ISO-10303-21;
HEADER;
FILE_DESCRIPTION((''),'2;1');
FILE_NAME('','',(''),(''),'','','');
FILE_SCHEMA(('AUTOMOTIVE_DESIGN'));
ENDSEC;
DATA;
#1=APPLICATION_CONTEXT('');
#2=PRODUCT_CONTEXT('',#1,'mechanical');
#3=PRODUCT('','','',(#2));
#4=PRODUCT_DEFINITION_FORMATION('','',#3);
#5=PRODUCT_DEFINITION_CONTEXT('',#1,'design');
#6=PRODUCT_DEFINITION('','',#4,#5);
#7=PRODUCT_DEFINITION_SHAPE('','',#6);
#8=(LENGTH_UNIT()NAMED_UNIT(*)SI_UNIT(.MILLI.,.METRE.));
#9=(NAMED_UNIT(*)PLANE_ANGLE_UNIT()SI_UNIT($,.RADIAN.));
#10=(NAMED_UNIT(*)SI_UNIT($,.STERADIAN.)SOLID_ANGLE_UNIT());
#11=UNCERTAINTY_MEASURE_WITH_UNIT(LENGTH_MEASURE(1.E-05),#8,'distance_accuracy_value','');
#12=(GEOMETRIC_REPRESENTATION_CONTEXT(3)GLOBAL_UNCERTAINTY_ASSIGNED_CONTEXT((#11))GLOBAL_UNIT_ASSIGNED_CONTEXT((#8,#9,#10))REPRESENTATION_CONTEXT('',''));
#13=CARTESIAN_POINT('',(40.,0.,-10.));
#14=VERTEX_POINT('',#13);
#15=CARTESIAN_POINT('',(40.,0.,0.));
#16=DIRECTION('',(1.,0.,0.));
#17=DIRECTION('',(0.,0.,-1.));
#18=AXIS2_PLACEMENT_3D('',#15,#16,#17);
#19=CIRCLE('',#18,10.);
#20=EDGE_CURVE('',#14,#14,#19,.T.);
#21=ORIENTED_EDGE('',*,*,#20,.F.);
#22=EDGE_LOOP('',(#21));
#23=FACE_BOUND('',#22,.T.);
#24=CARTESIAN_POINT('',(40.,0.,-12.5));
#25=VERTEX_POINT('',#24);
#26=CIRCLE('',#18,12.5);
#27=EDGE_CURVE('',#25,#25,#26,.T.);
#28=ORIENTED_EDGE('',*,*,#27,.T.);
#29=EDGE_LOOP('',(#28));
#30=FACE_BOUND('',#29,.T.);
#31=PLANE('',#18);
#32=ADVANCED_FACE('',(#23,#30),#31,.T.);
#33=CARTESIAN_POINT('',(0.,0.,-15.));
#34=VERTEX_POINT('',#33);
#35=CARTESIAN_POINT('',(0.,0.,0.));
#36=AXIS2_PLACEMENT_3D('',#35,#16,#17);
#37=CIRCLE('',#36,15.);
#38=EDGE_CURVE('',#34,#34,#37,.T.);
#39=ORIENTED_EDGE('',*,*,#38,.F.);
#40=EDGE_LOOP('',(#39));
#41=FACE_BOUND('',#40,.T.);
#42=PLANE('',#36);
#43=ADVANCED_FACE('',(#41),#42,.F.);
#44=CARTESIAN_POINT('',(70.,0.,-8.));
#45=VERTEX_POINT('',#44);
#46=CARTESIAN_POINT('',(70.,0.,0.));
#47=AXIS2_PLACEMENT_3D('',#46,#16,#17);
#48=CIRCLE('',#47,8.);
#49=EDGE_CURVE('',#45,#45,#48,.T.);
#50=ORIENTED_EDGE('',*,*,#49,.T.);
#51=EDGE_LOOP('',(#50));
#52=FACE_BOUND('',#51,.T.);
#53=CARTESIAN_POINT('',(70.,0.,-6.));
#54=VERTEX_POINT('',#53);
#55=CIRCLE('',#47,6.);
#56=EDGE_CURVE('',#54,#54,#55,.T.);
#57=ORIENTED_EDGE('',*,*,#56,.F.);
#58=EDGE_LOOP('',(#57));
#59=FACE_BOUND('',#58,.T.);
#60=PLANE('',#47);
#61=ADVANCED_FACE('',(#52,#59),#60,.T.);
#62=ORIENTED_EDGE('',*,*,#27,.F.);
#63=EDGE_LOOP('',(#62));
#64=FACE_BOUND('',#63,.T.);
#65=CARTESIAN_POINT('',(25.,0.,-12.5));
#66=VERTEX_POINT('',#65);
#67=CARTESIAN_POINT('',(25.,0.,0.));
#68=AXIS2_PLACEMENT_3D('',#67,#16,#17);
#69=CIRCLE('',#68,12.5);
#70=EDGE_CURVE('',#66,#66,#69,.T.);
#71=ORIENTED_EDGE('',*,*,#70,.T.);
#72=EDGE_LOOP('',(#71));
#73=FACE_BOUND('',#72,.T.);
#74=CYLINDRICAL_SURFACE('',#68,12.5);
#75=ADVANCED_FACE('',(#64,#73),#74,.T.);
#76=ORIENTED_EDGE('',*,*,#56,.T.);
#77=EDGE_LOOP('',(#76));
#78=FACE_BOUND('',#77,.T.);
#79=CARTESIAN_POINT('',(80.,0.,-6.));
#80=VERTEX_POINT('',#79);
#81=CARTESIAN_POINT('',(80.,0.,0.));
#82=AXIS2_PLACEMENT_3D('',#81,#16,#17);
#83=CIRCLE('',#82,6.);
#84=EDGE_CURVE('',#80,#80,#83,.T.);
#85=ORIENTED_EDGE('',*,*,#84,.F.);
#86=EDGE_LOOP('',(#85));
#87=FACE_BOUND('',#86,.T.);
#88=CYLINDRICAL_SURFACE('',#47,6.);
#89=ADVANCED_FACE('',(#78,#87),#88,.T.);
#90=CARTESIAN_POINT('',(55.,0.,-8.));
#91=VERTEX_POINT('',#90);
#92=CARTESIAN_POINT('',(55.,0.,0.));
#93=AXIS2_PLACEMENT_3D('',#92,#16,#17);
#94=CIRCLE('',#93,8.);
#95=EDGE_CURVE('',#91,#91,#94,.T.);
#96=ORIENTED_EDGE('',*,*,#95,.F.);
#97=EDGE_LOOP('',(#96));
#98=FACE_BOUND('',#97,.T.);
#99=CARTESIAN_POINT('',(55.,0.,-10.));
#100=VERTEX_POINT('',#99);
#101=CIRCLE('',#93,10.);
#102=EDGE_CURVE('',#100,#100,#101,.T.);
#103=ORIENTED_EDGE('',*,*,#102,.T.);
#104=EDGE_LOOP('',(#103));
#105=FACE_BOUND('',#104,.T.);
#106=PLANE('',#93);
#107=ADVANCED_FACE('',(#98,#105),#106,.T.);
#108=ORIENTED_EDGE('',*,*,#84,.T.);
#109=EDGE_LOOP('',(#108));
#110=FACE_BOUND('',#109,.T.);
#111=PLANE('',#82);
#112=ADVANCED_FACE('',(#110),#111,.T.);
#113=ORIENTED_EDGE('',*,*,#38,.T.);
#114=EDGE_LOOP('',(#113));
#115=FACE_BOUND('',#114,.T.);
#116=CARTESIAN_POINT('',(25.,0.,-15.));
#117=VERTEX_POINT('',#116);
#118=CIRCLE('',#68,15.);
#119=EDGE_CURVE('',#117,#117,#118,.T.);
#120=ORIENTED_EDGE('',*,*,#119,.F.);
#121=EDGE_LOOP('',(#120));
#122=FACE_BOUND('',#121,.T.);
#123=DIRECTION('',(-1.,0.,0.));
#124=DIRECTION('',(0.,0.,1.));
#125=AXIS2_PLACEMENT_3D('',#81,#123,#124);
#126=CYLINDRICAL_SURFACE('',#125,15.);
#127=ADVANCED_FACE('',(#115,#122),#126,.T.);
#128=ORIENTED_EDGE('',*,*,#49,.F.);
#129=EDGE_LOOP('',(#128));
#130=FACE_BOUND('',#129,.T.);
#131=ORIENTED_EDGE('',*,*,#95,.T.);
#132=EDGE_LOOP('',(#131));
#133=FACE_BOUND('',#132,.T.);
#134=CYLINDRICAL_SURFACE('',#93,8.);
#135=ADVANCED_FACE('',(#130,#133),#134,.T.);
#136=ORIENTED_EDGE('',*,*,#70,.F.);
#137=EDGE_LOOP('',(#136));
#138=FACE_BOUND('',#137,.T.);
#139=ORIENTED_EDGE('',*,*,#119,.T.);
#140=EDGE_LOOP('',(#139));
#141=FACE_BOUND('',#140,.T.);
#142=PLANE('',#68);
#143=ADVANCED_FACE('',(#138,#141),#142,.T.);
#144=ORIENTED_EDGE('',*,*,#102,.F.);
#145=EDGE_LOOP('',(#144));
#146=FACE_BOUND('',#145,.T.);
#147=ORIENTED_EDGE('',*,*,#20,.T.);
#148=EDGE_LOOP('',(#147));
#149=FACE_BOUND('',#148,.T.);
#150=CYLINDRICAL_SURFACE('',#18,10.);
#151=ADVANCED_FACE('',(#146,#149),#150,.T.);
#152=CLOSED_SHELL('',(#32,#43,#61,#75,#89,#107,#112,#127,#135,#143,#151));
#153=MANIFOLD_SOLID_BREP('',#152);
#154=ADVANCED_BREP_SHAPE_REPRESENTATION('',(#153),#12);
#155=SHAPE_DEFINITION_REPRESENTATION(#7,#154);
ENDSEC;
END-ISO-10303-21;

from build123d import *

# Parameters (mm, degrees)
SKETCH1_R           = 15
BOSS_EXTRUDE1_DEPTH = 80
CUT_EXTRUDE1_START  = -55
SKETCH2_R           = 15
SKETCH2_R_2         = 12.5
CUT_EXTRUDE1_DEPTH  = 55
CUT_EXTRUDE2_START  = -40
SKETCH3_R           = 12.5
SKETCH3_R_2         = 10
CUT_EXTRUDE2_DEPTH  = 40
CUT_EXTRUDE3_START  = -25
SKETCH4_R           = 10
SKETCH4_R_2         = 8
CUT_EXTRUDE3_DEPTH  = 25
CUT_EXTRUDE4_START  = -10
SKETCH5_R           = 8
SKETCH5_R_2         = 6
CUT_EXTRUDE4_DEPTH  = 10


with BuildPart() as part:
    # Sketch1 → Boss-Extrude1 (new body)
    with BuildSketch(Plane(origin=(0, 0, 0), x_dir=(0, 0, -1), z_dir=(1, 0, 0))):
        Circle(SKETCH1_R)
    extrude(amount=BOSS_EXTRUDE1_DEPTH)

    # Sketch2 → Cut-Extrude1 (cut)
    with BuildSketch(Plane(origin=(80, 0, 0), x_dir=(0, 0, -1), z_dir=(1, 0, 0)).offset(CUT_EXTRUDE1_START)):
        Circle(SKETCH2_R)
        Circle(SKETCH2_R_2, mode=Mode.SUBTRACT)
    extrude(amount=CUT_EXTRUDE1_DEPTH, mode=Mode.SUBTRACT)

    # Sketch3 → Cut-Extrude2 (cut)
    with BuildSketch(Plane(origin=(80, 0, 0), x_dir=(0, 0, -1), z_dir=(1, 0, 0)).offset(CUT_EXTRUDE2_START)):
        Circle(SKETCH3_R)
        Circle(SKETCH3_R_2, mode=Mode.SUBTRACT)
    extrude(amount=CUT_EXTRUDE2_DEPTH, mode=Mode.SUBTRACT)

    # Sketch4 → Cut-Extrude3 (cut)
    with BuildSketch(Plane(origin=(80, 0, 0), x_dir=(0, 0, -1), z_dir=(1, 0, 0)).offset(CUT_EXTRUDE3_START)):
        Circle(SKETCH4_R)
        Circle(SKETCH4_R_2, mode=Mode.SUBTRACT)
    extrude(amount=CUT_EXTRUDE3_DEPTH, mode=Mode.SUBTRACT)

    # Sketch5 → Cut-Extrude4 (cut)
    with BuildSketch(Plane(origin=(80, 0, 0), x_dir=(0, 0, -1), z_dir=(1, 0, 0)).offset(CUT_EXTRUDE4_START)):
        Circle(SKETCH5_R)
        Circle(SKETCH5_R_2, mode=Mode.SUBTRACT)
    extrude(amount=CUT_EXTRUDE4_DEPTH, mode=Mode.SUBTRACT)


solid = part.part
